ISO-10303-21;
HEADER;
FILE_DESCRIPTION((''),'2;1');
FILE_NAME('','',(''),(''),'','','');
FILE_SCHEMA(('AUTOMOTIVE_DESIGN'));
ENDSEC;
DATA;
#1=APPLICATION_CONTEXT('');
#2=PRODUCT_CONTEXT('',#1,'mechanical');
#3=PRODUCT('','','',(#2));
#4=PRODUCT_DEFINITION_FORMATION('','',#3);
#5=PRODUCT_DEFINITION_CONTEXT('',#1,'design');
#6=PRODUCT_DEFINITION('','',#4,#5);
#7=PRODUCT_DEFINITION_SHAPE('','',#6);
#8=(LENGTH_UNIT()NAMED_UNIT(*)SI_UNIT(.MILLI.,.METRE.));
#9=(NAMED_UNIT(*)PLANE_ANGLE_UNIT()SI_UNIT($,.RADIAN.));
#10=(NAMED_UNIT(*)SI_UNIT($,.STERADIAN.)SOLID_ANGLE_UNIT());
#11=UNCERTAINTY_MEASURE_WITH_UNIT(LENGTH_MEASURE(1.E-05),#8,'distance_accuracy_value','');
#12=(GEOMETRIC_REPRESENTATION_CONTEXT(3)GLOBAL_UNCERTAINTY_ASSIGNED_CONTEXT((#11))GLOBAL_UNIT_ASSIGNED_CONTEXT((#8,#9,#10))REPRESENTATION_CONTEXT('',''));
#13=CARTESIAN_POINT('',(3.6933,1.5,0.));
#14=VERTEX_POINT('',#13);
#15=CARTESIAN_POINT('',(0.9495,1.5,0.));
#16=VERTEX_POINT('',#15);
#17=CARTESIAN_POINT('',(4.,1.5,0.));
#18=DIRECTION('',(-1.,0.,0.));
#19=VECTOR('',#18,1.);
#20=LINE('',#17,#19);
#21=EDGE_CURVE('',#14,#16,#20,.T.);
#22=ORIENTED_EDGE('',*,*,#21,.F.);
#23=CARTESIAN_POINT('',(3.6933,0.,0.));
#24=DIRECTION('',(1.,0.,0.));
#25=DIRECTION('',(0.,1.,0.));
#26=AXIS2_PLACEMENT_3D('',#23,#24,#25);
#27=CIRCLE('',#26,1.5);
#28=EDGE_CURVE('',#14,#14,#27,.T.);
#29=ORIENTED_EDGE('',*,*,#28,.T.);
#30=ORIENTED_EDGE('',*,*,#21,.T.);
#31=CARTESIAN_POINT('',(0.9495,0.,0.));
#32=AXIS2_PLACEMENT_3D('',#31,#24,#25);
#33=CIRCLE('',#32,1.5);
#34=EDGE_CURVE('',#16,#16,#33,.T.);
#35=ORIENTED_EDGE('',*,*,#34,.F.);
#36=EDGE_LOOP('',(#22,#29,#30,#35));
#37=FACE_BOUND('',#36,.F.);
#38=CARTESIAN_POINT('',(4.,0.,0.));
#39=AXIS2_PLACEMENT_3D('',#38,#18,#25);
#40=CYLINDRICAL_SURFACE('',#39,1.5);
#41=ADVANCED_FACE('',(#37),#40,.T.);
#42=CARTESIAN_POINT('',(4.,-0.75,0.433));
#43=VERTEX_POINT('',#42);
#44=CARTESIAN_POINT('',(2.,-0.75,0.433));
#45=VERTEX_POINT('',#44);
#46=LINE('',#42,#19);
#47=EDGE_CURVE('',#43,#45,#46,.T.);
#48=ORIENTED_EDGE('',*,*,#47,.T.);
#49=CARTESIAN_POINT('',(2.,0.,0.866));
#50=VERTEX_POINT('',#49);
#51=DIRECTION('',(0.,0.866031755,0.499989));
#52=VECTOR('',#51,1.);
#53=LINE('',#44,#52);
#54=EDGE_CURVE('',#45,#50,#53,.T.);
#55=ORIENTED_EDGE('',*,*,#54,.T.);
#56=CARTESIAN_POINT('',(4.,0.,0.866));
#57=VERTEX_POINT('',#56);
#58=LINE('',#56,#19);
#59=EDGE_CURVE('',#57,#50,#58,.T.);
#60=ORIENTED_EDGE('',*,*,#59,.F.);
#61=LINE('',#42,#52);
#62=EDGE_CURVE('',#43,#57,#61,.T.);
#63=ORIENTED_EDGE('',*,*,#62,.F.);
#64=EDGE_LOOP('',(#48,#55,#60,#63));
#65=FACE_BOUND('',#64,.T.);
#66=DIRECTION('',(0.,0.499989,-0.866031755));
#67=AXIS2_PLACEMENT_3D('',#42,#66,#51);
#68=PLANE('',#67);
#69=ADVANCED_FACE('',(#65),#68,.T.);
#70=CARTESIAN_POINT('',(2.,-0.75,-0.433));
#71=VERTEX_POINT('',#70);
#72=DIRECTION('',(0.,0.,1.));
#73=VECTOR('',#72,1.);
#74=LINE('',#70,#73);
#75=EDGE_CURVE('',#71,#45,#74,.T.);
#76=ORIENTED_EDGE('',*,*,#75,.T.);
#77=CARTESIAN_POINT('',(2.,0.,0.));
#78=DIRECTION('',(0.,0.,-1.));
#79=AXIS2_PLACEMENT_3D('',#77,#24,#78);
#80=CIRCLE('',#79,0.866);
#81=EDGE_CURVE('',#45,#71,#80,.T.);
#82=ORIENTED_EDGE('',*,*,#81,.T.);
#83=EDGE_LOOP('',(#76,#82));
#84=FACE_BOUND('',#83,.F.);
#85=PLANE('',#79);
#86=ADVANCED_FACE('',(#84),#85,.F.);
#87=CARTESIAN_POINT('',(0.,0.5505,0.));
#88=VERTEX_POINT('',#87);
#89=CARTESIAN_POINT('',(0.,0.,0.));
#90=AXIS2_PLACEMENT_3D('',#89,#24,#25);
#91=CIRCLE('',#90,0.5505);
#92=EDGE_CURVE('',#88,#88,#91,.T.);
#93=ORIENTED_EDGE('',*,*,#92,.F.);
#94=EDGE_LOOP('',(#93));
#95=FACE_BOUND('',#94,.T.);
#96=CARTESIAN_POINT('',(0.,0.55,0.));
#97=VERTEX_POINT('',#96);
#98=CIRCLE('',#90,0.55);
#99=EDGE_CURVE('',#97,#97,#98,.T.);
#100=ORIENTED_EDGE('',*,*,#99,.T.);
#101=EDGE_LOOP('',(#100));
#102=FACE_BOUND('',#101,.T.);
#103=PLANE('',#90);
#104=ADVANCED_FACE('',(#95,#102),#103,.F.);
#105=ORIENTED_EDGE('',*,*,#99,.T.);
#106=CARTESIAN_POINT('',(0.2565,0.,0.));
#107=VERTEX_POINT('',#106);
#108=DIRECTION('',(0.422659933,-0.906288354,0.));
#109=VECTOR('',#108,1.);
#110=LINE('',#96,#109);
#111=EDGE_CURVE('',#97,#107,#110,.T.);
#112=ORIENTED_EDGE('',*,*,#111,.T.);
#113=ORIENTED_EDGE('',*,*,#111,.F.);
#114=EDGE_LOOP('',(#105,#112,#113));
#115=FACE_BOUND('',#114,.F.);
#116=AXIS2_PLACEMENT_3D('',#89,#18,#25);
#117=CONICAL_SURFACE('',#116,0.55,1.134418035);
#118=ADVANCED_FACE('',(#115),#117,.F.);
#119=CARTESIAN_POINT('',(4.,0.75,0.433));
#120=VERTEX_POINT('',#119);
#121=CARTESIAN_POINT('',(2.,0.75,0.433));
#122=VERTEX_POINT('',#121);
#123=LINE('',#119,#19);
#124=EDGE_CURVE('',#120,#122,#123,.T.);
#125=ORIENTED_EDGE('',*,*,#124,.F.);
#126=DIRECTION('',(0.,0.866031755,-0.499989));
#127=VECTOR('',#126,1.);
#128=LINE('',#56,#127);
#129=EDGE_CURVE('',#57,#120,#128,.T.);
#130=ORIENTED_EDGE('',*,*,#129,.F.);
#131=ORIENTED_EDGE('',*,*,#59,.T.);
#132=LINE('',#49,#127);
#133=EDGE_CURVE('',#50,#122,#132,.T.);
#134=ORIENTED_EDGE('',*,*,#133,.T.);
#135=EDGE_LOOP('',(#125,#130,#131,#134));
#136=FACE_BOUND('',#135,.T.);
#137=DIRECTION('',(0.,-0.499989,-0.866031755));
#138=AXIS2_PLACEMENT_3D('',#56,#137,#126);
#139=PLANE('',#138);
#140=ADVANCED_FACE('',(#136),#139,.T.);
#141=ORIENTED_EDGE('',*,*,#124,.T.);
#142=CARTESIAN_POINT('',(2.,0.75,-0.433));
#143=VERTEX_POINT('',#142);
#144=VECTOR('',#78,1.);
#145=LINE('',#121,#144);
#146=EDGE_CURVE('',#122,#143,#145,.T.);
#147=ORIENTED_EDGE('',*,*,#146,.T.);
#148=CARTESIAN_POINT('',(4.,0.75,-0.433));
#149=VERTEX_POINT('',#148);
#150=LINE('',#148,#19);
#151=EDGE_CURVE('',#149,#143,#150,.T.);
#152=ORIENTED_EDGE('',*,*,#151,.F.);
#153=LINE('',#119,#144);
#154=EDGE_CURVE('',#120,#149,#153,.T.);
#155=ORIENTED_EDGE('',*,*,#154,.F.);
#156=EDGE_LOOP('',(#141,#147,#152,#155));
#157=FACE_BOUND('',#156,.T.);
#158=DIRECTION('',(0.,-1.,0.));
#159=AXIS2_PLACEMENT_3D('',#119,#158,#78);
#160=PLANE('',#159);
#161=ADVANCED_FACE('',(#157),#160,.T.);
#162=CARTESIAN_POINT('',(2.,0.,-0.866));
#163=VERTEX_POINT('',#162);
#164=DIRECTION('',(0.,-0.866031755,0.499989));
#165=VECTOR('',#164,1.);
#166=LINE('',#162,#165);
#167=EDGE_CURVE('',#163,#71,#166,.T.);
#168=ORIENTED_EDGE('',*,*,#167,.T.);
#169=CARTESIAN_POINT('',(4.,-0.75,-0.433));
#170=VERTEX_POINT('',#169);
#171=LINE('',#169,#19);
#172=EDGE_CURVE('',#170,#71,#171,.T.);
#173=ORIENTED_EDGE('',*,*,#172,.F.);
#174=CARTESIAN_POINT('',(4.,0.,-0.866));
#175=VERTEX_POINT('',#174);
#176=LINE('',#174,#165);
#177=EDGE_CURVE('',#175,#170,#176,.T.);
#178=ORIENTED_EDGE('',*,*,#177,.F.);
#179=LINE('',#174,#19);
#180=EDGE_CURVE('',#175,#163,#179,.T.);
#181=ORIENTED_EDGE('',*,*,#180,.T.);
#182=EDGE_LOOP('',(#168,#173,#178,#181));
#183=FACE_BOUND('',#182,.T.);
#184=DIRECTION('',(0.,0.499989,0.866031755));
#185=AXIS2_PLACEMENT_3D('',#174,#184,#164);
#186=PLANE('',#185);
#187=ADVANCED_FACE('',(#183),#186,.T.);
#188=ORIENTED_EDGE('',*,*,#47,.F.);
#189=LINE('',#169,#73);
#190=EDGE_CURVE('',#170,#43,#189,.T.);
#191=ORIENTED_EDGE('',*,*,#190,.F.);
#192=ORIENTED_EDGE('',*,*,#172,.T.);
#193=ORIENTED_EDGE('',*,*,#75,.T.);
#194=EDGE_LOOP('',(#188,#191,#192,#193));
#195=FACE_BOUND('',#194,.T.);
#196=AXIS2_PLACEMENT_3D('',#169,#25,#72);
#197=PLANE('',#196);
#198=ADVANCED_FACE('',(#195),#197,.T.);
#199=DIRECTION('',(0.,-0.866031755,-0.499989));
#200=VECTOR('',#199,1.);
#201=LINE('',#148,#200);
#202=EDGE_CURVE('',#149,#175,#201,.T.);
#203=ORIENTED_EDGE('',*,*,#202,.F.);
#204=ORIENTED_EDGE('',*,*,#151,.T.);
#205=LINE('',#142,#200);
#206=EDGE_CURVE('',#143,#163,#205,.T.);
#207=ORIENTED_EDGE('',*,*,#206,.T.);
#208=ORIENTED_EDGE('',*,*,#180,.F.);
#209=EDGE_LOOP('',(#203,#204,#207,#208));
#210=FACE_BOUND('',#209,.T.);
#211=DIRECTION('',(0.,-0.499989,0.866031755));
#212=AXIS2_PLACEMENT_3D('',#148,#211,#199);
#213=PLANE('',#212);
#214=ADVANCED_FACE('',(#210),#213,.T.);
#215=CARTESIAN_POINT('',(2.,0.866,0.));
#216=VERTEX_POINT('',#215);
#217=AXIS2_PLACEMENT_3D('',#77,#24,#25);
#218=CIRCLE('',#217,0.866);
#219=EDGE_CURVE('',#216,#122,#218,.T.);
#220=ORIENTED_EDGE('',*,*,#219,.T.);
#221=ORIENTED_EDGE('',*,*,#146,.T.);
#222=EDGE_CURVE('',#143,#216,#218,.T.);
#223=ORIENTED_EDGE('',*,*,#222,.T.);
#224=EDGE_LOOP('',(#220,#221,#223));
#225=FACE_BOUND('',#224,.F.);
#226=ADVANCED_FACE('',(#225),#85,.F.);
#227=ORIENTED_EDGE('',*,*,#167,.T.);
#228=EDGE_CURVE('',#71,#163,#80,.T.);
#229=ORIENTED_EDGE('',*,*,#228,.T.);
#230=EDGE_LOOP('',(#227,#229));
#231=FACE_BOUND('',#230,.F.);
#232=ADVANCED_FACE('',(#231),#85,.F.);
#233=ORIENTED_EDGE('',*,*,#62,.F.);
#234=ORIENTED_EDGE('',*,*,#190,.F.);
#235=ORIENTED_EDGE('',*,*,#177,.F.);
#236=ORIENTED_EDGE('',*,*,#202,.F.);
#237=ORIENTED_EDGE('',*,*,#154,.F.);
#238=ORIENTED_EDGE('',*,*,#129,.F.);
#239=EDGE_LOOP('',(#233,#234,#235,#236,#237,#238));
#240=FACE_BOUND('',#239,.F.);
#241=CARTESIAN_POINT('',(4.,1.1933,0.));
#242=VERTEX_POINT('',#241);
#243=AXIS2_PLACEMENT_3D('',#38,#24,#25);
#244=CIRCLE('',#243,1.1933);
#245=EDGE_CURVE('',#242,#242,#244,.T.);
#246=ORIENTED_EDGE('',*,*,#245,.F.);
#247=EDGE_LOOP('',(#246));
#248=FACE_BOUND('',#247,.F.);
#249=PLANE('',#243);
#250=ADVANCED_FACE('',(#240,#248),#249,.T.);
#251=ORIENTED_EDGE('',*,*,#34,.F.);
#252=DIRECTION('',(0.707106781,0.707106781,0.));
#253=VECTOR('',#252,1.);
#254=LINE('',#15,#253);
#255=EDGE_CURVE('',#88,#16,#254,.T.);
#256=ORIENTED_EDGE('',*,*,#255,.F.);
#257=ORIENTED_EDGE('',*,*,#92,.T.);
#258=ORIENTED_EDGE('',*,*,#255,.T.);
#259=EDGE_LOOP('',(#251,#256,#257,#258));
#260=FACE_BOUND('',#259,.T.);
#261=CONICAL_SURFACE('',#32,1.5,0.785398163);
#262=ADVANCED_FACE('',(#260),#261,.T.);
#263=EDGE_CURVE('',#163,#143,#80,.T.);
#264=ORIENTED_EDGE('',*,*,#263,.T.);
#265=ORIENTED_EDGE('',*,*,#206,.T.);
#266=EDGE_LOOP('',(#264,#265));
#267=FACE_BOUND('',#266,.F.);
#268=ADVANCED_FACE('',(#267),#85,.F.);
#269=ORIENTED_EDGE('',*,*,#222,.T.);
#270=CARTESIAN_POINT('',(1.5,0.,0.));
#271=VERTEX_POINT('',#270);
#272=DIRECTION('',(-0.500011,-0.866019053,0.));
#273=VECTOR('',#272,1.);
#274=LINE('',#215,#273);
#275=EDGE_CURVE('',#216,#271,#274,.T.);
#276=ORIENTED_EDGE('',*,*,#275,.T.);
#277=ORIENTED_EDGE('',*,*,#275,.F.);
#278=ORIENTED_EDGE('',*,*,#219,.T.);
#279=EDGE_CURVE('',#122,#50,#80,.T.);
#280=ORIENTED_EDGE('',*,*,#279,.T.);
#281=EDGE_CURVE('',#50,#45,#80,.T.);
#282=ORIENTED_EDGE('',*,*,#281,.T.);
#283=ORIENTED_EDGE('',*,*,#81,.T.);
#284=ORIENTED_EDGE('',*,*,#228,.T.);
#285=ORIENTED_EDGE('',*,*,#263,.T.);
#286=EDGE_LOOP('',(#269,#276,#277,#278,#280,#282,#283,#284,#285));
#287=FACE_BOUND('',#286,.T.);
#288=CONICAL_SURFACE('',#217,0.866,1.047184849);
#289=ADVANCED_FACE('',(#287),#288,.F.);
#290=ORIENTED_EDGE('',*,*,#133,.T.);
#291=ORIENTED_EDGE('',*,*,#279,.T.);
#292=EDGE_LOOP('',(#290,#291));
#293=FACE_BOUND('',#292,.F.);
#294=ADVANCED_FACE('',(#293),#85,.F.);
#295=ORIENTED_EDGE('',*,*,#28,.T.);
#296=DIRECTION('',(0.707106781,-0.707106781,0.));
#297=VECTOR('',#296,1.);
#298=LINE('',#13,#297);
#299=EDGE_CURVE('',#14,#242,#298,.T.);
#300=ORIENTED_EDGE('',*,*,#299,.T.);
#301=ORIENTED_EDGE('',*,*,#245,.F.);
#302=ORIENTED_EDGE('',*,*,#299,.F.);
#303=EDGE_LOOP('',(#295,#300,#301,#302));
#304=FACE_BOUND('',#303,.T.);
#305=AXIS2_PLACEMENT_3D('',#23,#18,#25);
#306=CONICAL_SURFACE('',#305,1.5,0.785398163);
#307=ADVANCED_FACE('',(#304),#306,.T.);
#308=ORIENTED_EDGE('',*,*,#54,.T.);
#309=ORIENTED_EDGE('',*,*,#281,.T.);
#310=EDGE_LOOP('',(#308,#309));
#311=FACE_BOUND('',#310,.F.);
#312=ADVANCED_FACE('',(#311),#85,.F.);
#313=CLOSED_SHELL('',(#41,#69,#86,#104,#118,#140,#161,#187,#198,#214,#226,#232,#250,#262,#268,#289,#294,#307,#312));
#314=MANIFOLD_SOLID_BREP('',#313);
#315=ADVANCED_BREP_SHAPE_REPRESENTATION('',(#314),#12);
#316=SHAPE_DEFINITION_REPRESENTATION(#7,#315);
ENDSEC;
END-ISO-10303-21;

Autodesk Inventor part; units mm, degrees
ref_plane "YZ Plane" through (0, 0, 0) normal (1, 0, 0) x (0, 1, 0)
ref_plane "XZ Plane" through (0, 0, 0) normal (0, 1, 0) x (-1, 0, 0)
sketch "Sketch1" plane through (0, 0, 0) normal (0, 0, 1) x (1, 0, 0)
  line L0 (0.2565, 0) -> (1.5, 0)
  line L1 (4, 0.866) -> (4, 1.5)
  line L2 (4, 1.5) -> (0, 1.5)
  line L3 (4, 0.866) -> (2, 0.866)
  line L4 (2, 0.866) -> (1.5, 0)
  line L5 (0, 0.55) -> (0.2565, 0)
  line L6 (0, -0.3) -> (0, 1.8) projected
  line L7 (0, 0.55) -> (0, 1.5)
  point P0 (0, 0)
  dimension "d0" = 2
  dimension "d1" = 60
  dimension "d2" = 3
  dimension "d3" = 1.7321
  dimension "d4" = 4
  dimension "d5" = 65
  dimension "d7" = 1.1
revolve "Body" add sketch "Sketch1" angle 360 about axis through (0.2565, 0, 0) along (1, 0, 0)
sketch "Sketch2" plane through (4, 0, 0) normal (1, 0, 0) x (0, 0, -1)
  circle A0 centre (0, 0) radius 0.866 projected
  circle A1 centre (0, 0) radius 1.5 projected
  line L0 (0.866, 0) -> (0.433, -0.75)
  line L1 (0.433, -0.75) -> (-0.433, -0.75)
  line L2 (-0.433, -0.75) -> (-0.866, 0)
  line L3 (-0.866, 0) -> (-0.433, 0.75)
  line L4 (-0.433, 0.75) -> (0.433, 0.75)
  line L5 (0.433, 0.75) -> (0.866, 0)
extrude "Slot" add sketch "Sketch2" against normal blind 2 contours L5 A0 | A0 L0 | L4 A0 | A0 L1 | L3 A0 | A0 L2
chamfer "Chamfer1" distance 0.95 angle 45 1 edges at (0, -1.5, 0) measured on face at (0, 1.1688, -0.1197)
thread "Thread" size "M3x0.5" class "6g" standard "ISO Metric profile" length 4
chamfer "Chamfer2" distance 0.3067 angle 45 1 edges at (4, -1.5, 0) measured on face at (1.9663, 1.4806, -0.2406)
ref_plane "Work Plane1" through (2, 0, 0) normal (0, -0.5, -0.866) x (1, 0, 0)
equation "\"d8\" = INTI"
equation "\"d10\" = -0.5 * SPD + 0.5 * NND"
equation "\"d11\" = FAWI"
equation "\"d33\" = -0.5 * SPD + 0.5 * NND"
equation "\"d14\" = NLG"
equation "\"d12\" = -0.5 * GD1 + 0.5 * NND"
equation "\"d13\" = FAWI"
equation "\"d34\" = -0.5 * GD1 + 0.5 * NND"
equation "\"d0\" = INTI"
equation "\"d2\" = NND"
equation "\"d3\" = 1.1547 * SW"
equation "\"d4\" = NLG"
equation "\"d5\" = 0.5 * ANG"
equation "\"d7\" = SPD"
equation "\"NND\" = 3"
equation "\"NLG\" = 4"
equation "\"INTI\" = 2"
equation "\"FAWI\" = 45deg"
equation "\"SW\" = 1.5"
equation "\"GD1\" = THREADDIA - 1.2269 * PTC"
equation "\"ANG\" = 130deg"
equation "\"FAWI1\" = 60deg"
equation "\"SPD\" = 1.1"
equation "\"GUL\" = 0.61345 * PTC"
equation "\"TOA\" = 30deg"
equation "\"THREADDIA\" = 3"
equation "\"PTC\" = 0.5"
equation "\"GAL\" = 0.61345 * PTC"
equation "\"E0\" = 1.155 * SW"
properties part number "AS 1421 - M3 x 4 Cup Point" material "Steel, Mild"
